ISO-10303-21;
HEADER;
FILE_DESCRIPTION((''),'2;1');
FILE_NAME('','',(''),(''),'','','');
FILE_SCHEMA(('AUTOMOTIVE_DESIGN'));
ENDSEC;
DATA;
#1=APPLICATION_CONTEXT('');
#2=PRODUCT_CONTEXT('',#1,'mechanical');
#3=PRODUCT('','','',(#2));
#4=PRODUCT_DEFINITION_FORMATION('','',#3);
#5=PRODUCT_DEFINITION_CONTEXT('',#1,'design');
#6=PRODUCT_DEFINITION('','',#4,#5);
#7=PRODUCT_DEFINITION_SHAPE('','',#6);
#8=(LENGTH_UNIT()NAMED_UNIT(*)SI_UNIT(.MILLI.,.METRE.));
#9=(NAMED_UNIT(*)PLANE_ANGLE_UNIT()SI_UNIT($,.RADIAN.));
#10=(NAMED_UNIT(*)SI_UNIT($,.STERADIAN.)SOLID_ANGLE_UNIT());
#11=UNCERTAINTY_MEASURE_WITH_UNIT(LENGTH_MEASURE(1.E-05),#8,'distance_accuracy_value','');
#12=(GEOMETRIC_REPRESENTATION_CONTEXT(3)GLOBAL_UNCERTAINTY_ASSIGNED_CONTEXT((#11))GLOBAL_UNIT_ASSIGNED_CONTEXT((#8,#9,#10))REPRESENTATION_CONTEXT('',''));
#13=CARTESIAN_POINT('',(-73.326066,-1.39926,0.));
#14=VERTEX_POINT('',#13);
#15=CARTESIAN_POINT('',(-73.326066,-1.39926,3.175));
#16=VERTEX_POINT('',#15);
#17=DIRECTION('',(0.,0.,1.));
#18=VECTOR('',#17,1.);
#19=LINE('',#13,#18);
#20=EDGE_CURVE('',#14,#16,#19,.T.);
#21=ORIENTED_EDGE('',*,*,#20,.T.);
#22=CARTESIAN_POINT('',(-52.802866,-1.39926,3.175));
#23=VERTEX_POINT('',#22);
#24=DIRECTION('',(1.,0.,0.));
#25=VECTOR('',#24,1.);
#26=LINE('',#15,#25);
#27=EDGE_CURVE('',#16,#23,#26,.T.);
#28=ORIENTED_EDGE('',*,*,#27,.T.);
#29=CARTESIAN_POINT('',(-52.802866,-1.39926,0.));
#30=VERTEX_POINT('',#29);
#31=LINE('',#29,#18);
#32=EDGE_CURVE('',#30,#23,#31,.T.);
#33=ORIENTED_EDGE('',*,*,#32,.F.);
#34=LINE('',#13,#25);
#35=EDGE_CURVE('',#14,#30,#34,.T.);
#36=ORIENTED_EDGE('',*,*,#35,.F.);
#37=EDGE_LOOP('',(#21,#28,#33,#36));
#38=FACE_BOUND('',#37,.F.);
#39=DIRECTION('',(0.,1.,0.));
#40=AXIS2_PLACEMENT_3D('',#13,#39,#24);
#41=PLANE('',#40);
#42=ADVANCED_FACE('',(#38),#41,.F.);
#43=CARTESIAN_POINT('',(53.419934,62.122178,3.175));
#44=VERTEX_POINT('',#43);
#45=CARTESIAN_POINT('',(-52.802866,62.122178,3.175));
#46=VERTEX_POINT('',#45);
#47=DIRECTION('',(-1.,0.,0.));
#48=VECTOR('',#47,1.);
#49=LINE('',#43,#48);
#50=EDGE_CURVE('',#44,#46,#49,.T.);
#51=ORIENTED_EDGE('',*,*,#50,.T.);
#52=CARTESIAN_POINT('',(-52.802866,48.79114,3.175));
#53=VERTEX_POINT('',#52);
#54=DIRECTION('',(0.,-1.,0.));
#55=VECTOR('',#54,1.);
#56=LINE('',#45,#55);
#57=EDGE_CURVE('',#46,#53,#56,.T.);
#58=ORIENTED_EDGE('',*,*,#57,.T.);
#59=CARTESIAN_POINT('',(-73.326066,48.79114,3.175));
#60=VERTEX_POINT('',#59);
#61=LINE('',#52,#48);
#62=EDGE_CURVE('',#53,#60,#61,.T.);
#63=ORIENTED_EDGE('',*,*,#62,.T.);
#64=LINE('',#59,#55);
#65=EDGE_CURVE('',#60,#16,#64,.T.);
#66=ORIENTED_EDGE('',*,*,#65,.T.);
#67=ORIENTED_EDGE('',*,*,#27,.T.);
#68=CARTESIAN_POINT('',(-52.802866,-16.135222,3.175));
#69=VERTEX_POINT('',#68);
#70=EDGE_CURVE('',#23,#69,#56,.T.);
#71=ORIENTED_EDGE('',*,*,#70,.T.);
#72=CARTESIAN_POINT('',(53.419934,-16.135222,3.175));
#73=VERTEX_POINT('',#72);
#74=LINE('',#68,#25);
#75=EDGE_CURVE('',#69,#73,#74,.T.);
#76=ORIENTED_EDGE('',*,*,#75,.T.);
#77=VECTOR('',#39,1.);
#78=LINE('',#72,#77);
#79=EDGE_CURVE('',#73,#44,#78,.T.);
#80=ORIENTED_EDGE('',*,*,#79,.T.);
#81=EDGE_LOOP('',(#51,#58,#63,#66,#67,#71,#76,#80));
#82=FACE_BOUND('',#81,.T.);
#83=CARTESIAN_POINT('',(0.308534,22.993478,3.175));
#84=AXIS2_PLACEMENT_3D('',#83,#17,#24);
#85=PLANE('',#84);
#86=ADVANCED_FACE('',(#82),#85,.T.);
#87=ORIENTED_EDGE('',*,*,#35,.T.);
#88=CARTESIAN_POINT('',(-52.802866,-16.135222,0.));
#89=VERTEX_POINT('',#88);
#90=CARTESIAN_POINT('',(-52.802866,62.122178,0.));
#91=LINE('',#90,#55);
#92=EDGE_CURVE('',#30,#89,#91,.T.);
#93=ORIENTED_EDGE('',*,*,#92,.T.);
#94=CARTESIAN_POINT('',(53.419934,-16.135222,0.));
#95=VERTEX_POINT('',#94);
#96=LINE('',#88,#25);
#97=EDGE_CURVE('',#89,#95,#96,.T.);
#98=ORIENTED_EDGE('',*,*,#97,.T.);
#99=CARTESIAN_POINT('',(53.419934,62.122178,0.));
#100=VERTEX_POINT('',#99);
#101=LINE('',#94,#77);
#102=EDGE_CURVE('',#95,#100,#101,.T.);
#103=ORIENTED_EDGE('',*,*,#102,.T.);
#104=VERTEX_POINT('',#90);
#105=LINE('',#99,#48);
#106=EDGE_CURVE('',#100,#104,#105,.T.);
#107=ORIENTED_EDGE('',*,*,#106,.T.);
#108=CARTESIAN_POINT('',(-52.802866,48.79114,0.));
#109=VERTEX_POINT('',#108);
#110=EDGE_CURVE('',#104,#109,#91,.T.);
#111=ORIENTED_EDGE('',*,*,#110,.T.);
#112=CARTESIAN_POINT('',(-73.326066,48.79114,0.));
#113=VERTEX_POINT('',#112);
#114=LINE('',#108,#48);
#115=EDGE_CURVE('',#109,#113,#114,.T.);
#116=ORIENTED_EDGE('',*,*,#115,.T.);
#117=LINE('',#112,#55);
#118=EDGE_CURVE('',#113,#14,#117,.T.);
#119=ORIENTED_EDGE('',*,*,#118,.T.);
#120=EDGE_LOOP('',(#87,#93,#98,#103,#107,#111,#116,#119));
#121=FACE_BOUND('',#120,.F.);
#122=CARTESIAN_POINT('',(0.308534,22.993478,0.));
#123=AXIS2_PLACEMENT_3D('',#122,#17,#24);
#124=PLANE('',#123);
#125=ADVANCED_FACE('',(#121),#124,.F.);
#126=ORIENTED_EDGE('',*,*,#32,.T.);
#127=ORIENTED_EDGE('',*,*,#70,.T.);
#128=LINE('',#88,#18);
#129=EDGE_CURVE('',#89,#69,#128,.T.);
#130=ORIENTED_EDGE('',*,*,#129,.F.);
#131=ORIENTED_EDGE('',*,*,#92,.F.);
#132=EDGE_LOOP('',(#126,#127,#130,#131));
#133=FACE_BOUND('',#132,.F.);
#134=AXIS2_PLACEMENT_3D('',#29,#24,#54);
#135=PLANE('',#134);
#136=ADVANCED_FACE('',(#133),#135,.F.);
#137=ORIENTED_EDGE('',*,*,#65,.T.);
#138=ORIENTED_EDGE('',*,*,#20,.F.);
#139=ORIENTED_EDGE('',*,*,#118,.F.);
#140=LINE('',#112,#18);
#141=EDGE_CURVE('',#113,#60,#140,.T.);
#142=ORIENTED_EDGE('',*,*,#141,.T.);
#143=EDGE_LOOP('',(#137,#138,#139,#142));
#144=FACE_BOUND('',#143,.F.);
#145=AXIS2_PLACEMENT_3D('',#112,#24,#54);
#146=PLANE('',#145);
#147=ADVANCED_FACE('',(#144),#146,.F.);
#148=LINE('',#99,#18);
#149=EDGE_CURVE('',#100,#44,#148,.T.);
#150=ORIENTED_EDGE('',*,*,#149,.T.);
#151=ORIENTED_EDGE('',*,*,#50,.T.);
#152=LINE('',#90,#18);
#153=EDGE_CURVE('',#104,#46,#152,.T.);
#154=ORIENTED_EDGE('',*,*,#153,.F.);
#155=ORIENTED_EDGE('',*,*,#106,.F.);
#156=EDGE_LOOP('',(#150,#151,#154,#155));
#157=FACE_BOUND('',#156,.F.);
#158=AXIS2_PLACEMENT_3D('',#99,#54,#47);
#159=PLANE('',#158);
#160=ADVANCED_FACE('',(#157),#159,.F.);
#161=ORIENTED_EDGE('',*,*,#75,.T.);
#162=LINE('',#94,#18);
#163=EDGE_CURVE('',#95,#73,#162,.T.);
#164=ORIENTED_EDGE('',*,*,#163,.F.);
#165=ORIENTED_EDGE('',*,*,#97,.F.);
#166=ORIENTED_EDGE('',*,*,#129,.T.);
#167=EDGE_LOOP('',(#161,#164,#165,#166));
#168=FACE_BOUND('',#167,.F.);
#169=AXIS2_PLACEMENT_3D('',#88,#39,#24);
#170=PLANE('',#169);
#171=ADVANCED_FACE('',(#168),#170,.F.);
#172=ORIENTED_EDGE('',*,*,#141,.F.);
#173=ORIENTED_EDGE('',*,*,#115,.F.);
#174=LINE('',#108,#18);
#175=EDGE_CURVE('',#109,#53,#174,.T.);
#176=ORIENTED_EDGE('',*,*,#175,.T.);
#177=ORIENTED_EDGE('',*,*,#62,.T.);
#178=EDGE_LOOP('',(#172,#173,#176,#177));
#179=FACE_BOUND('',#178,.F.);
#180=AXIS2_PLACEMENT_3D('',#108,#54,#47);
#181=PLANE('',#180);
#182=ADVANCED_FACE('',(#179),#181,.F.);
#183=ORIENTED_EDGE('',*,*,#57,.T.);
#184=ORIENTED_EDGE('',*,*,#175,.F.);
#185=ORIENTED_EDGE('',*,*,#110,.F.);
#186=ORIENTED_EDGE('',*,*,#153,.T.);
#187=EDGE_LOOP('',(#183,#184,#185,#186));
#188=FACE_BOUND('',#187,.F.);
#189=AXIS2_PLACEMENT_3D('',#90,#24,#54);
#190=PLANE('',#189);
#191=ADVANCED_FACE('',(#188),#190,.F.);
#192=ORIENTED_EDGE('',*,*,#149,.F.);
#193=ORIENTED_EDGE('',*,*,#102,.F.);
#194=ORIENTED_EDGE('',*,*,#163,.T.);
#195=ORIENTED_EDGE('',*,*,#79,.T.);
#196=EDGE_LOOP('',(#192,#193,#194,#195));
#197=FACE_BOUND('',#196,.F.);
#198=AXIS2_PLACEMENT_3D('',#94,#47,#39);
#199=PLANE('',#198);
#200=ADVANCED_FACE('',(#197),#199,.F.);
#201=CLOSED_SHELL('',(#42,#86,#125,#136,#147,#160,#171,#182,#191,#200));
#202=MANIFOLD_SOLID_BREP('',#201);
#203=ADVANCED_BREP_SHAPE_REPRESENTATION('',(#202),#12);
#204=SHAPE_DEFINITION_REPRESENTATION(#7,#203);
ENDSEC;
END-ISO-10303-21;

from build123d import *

# Parameters (mm, degrees)
F1_DEPTH = 3.175


with BuildPart() as f1:
    # F0 (on Top) → F1 (new body)
    with BuildSketch(Plane.XY):
        Polygon((53.419934, 62.122178), (-52.802866, 62.122178), (-52.802866, 57.49908), (-52.802866, 48.79114), (-52.802866, 7.30868), (-52.802866, -1.39926), (-52.802866, -16.135222), (53.419934, -16.135222), align=None)
        Polygon((-52.802866, 7.30868), (-52.802866, 48.79114), (-73.326066, 48.79114), (-73.326066, -1.39926), (-52.802866, -1.39926), align=None)
    extrude(amount=F1_DEPTH)


solid = f1.part
